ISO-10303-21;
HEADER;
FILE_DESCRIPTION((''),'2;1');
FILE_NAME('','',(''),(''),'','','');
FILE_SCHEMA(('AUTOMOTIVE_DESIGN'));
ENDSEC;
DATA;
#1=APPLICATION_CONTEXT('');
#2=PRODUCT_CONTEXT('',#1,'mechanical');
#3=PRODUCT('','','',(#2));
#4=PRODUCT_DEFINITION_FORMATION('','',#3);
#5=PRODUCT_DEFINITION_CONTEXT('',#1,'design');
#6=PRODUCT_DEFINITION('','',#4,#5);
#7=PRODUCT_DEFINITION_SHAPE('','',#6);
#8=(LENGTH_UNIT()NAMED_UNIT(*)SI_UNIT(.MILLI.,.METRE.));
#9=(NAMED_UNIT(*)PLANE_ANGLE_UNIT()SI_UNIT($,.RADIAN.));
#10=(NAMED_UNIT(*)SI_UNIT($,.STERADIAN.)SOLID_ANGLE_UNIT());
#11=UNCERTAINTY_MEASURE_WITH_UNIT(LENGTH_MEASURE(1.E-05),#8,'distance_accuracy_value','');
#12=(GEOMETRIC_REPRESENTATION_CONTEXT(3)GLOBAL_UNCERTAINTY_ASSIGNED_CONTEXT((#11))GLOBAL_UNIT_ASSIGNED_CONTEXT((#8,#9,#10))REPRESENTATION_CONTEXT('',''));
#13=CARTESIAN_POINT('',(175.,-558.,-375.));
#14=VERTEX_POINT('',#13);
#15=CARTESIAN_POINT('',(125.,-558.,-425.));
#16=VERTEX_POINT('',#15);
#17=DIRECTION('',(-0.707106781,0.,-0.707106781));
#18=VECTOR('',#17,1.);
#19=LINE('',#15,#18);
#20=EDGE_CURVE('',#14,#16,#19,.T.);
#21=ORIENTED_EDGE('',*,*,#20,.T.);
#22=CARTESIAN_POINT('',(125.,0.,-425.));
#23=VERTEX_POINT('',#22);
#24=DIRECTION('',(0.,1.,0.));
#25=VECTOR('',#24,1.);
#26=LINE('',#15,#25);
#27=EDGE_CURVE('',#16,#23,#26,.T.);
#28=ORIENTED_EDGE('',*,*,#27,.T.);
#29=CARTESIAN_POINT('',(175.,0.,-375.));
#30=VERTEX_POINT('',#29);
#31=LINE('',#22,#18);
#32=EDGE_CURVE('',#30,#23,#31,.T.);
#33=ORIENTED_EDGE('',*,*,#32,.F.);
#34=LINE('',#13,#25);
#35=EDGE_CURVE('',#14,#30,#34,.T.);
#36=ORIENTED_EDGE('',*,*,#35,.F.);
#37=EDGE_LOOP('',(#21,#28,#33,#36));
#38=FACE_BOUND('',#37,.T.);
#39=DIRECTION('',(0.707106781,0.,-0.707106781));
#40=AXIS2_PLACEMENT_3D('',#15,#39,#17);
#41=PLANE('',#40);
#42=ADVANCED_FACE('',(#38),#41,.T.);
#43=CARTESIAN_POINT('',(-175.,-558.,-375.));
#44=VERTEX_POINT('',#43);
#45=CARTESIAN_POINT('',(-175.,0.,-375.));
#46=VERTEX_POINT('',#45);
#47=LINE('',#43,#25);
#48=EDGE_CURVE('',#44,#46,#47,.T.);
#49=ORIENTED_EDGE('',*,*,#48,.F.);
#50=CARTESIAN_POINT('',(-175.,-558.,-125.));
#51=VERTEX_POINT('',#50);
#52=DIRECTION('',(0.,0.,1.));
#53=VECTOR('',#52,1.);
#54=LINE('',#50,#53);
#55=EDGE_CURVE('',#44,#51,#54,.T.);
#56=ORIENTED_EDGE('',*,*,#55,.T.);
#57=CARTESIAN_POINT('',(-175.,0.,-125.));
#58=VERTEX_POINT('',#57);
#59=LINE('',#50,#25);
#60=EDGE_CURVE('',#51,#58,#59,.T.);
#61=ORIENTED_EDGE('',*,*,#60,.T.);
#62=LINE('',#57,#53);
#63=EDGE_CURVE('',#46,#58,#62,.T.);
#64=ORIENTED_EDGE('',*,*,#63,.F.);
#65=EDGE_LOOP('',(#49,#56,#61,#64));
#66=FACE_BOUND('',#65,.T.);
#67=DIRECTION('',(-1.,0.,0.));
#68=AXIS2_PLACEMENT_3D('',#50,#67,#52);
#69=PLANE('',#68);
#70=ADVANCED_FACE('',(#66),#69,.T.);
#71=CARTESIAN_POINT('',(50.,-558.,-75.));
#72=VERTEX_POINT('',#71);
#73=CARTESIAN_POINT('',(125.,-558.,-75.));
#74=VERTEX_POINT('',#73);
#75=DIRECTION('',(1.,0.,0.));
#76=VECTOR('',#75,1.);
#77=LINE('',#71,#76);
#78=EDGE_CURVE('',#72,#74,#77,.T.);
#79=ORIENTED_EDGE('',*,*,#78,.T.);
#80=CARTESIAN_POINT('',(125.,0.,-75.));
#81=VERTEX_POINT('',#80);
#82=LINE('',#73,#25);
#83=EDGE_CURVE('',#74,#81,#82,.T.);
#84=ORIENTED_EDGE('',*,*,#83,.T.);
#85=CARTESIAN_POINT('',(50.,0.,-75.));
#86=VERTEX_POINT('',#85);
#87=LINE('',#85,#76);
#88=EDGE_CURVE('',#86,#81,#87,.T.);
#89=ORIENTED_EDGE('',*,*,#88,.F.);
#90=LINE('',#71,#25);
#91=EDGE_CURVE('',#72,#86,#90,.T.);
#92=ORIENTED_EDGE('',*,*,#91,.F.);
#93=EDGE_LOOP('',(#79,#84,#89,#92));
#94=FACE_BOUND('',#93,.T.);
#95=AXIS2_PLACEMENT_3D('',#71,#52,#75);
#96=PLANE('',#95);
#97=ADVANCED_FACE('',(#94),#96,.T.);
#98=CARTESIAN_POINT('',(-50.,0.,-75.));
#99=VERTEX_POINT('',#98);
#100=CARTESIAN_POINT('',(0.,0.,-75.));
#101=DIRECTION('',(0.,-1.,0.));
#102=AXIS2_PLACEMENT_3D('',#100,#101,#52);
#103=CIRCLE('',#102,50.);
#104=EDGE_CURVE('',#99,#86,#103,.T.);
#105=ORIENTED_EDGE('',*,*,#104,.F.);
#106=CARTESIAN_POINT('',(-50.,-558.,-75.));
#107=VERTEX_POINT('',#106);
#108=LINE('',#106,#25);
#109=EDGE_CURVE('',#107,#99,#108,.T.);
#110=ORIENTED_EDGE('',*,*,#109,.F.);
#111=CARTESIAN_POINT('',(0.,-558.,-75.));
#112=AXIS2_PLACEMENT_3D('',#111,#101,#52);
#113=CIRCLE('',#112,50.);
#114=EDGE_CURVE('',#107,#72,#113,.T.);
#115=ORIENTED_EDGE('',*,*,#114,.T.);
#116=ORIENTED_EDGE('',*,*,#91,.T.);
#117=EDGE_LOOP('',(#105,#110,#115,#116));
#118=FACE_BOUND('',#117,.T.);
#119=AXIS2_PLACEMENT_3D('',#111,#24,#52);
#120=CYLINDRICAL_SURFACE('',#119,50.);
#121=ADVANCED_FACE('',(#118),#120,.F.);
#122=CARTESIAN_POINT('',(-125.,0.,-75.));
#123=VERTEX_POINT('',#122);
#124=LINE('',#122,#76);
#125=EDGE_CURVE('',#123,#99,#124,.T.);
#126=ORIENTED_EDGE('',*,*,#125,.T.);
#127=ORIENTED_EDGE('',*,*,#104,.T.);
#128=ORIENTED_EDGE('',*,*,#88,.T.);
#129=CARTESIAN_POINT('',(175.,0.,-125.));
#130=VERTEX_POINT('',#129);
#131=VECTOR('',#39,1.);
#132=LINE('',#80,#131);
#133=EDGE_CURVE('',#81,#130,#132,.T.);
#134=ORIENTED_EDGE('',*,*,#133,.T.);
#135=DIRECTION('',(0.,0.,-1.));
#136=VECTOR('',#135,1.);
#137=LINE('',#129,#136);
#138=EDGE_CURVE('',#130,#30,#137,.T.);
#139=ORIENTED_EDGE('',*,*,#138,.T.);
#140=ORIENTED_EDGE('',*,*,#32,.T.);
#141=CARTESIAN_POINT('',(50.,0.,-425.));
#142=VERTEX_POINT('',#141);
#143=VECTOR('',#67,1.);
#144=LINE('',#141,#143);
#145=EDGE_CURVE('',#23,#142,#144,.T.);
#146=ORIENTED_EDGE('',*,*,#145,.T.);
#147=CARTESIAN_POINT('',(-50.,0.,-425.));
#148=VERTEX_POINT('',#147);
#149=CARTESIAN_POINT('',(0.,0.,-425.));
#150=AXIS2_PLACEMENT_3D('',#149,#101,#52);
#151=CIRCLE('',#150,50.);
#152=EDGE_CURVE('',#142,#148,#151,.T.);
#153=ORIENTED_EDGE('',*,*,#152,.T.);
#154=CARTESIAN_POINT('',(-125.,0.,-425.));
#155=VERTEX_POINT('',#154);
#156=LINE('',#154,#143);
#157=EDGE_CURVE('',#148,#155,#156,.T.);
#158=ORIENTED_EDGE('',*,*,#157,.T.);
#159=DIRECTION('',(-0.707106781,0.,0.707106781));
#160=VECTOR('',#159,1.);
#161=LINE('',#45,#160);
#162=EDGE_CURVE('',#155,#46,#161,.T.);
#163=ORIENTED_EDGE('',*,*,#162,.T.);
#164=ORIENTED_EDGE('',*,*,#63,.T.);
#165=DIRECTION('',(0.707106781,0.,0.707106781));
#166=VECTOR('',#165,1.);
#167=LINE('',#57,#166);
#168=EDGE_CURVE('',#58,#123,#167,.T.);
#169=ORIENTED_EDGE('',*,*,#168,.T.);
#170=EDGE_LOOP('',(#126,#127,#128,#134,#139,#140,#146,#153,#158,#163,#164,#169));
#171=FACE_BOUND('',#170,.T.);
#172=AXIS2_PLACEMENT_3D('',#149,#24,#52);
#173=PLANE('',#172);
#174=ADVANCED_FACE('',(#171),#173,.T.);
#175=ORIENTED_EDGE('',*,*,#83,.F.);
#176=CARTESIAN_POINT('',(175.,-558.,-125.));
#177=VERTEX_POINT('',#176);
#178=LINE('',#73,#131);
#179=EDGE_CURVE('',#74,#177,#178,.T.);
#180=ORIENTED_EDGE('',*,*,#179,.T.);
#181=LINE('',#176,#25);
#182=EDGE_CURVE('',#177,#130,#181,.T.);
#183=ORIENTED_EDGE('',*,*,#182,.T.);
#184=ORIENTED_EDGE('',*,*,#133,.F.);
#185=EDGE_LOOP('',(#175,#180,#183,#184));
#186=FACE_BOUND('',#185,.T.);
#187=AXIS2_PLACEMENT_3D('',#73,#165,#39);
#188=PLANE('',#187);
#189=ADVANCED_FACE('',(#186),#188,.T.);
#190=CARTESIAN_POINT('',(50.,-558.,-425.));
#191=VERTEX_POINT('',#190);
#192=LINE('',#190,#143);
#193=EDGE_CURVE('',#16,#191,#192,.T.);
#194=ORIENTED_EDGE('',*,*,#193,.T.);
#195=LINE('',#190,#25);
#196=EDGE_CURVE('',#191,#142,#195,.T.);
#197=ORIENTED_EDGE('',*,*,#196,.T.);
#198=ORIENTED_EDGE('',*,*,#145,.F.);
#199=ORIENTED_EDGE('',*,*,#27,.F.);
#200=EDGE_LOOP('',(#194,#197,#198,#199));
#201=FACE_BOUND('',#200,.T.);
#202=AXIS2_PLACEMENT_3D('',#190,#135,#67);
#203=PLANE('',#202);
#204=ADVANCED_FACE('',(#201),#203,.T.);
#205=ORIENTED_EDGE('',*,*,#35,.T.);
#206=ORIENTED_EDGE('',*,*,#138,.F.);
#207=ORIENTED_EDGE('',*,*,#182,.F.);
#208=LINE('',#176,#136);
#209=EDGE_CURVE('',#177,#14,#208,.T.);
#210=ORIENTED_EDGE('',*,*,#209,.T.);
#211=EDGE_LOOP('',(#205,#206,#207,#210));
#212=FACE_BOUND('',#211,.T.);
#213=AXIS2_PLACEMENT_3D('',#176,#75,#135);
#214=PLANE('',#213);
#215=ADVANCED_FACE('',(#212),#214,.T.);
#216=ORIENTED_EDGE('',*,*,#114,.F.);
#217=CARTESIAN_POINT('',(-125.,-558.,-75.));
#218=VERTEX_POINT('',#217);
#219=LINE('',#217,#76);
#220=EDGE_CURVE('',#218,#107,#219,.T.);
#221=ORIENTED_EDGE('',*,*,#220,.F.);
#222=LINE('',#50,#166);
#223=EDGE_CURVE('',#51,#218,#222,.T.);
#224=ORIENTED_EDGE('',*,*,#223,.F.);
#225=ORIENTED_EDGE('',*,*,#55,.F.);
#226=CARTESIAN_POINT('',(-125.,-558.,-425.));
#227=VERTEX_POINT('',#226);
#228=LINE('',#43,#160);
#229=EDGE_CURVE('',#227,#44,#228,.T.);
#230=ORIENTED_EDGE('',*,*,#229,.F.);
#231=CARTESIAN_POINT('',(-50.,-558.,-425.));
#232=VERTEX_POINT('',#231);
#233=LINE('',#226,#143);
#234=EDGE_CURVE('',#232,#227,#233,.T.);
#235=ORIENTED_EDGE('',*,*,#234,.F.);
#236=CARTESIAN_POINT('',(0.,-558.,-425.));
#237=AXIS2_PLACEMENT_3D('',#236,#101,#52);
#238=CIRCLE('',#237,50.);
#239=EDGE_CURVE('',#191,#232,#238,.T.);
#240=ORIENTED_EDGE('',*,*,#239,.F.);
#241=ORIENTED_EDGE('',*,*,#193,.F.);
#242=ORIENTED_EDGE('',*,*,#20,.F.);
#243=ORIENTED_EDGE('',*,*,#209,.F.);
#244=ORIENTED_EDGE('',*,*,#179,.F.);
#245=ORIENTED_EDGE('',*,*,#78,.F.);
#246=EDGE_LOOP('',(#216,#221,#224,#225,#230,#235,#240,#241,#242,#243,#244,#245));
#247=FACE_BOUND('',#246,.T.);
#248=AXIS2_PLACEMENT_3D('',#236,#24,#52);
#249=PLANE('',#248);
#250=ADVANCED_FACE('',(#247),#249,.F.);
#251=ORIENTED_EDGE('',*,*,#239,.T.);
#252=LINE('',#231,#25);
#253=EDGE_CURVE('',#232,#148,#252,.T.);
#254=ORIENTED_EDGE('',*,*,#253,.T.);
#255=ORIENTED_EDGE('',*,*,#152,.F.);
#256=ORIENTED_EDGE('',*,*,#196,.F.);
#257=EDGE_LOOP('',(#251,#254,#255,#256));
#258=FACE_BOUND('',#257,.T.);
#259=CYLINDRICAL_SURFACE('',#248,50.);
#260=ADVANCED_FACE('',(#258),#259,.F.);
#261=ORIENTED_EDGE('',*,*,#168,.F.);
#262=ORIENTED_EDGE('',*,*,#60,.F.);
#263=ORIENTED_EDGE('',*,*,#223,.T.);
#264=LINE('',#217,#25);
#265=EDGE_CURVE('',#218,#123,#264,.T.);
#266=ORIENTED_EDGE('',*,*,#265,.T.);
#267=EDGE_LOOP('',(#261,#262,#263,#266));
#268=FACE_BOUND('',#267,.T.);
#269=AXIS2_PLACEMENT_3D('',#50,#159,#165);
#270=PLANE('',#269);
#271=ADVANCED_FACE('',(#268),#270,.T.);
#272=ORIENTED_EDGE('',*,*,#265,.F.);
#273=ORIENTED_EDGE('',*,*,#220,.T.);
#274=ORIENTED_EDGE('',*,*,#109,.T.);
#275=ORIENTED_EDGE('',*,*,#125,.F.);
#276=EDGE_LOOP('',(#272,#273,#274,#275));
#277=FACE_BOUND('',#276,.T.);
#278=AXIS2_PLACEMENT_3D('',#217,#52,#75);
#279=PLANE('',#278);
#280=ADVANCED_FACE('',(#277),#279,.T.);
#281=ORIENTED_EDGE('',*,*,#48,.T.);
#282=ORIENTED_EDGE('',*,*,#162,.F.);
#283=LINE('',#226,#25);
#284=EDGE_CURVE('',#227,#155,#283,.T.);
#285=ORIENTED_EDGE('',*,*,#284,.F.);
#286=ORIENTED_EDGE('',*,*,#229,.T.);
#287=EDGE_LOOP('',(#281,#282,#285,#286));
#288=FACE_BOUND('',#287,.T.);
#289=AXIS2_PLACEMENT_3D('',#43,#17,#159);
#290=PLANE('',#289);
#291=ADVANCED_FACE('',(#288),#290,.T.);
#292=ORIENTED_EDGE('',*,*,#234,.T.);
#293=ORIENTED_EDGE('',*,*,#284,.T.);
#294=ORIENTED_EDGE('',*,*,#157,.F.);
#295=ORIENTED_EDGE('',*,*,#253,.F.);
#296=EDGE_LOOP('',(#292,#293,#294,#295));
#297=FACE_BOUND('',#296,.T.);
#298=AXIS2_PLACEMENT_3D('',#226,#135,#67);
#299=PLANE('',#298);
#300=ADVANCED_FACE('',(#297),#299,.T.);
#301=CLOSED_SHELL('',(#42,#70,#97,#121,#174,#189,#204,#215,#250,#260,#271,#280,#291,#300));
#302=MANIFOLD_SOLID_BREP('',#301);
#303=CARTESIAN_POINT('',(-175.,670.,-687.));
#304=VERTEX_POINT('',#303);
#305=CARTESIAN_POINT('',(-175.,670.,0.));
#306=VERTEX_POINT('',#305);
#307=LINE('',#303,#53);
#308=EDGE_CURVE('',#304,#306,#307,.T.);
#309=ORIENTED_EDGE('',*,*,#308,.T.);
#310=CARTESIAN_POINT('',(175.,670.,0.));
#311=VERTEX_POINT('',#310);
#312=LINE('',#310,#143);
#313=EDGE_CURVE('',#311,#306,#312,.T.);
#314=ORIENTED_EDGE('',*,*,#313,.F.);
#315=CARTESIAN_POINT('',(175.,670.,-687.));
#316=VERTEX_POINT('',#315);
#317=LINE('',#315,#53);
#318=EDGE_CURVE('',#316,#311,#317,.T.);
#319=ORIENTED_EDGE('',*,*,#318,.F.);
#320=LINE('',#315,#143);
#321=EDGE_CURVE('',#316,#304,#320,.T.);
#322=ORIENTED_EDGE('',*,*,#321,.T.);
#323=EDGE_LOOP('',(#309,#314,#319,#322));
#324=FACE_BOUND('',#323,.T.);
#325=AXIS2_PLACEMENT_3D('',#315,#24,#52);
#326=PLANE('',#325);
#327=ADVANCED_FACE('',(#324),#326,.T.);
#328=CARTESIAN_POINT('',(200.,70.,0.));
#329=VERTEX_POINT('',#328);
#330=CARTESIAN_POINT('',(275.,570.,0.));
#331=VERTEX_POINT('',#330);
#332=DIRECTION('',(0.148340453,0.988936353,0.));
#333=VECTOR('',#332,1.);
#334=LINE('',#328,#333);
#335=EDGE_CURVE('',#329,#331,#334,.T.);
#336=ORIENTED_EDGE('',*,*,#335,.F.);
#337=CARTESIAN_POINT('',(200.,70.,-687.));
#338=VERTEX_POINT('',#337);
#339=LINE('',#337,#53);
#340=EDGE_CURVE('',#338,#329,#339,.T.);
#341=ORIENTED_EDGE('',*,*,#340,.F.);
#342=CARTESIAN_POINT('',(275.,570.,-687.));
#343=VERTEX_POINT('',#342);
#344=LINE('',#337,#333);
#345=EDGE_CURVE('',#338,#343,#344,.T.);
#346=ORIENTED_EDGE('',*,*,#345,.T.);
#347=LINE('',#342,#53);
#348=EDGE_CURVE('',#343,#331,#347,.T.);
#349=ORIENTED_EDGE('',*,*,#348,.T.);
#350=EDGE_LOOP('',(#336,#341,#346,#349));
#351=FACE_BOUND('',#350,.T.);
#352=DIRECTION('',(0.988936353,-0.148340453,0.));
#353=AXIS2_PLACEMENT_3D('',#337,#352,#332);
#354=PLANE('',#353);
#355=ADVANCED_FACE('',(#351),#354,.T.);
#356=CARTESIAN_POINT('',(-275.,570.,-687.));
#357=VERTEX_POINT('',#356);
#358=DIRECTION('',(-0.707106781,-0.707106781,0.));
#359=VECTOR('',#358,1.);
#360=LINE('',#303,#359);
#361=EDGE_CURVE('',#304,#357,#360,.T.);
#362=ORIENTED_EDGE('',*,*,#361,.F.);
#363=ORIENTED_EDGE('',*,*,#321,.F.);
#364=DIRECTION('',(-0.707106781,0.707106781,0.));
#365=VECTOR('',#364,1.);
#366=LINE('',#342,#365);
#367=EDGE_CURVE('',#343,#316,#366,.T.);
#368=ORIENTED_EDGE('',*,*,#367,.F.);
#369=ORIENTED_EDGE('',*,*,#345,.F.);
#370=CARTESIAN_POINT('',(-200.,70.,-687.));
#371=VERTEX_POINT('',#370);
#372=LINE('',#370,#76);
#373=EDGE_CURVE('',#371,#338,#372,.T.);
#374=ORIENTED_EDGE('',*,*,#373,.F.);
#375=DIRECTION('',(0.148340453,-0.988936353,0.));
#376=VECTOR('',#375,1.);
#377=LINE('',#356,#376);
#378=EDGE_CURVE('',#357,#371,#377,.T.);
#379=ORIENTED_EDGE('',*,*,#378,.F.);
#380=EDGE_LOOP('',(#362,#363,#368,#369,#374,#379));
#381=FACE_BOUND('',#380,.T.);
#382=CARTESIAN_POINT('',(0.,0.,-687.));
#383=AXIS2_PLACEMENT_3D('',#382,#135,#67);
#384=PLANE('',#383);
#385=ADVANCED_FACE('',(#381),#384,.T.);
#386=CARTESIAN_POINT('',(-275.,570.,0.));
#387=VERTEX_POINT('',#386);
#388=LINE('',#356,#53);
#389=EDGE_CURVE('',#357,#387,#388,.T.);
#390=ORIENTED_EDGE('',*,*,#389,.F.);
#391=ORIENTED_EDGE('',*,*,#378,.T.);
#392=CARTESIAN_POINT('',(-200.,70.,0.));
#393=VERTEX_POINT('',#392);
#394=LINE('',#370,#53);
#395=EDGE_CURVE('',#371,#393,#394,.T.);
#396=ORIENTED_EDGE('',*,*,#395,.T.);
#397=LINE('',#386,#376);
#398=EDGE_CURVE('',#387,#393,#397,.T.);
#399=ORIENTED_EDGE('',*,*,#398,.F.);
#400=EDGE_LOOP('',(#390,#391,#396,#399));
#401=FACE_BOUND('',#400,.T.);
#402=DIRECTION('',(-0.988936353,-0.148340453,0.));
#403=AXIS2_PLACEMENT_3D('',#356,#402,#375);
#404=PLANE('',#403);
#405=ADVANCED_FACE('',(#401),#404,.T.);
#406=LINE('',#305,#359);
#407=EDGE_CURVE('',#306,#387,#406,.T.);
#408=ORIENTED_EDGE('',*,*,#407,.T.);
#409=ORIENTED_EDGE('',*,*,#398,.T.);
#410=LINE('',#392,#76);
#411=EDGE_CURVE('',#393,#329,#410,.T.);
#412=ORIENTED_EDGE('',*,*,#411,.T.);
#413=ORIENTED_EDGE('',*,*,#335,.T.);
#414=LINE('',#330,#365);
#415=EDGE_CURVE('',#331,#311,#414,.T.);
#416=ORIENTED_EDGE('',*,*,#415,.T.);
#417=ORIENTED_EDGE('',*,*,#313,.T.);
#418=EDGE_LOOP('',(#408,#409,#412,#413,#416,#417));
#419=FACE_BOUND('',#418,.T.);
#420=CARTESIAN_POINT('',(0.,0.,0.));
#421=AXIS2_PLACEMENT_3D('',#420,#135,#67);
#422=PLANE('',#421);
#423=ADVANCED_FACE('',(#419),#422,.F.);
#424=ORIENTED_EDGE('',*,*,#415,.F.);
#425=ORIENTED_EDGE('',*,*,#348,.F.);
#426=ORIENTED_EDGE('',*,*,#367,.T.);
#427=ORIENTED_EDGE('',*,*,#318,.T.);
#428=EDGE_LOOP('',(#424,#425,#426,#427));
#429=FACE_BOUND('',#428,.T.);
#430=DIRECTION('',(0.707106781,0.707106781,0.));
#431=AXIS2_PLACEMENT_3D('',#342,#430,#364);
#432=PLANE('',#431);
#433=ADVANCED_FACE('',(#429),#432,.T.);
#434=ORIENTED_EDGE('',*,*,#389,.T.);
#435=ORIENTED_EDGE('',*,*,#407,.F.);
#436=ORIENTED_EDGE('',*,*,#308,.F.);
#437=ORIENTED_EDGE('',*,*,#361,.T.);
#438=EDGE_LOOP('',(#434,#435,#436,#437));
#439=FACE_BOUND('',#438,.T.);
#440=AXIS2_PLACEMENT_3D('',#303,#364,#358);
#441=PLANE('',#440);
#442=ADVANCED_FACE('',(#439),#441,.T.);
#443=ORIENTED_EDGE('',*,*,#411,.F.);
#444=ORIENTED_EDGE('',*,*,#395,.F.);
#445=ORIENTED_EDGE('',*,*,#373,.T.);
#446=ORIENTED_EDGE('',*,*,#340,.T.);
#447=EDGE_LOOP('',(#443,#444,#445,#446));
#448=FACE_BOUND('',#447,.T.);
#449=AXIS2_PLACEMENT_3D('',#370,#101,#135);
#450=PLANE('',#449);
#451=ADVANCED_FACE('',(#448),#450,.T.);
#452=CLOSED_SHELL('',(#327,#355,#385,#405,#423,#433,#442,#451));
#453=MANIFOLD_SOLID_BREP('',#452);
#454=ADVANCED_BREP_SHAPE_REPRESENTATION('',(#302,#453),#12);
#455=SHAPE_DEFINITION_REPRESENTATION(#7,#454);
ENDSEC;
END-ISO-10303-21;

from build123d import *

# Parameters (mm, degrees)
RESSALTO_EXTRUS_O1_DEPTH = 687
RESSALTO_EXTRUS_O2_DEPTH = 558


with BuildPart() as part:
    # Esboço6 → Ressalto-extrusão1 (new body)
    with BuildSketch(Plane.XY):
        Polygon((-200, 70), (200, 70), (275, 570), (175, 670), (-175, 670), (-275, 570), align=None)
    extrude(amount=-RESSALTO_EXTRUS_O1_DEPTH)


with BuildPart() as body_2:
    # Esboço10 → Ressalto-extrusão2 (new body)
    with BuildSketch(Plane(origin=(0, 0, 0), x_dir=(1, 0, 0), z_dir=(0, 1, 0))):
        with BuildLine():
            Line((-175, 375), (-125, 425))
            Line((-125, 425), (-50, 425))
            ThreePointArc((-50, 425), (0, 375), (50, 425))
            Line((50, 425), (125, 425))
            Line((125, 425), (175, 375))
            Line((175, 375), (175, 125))
            Line((175, 125), (125, 75))
            Line((125, 75), (50, 75))
            ThreePointArc((50, 75), (0, 125), (-50, 75))
            Line((-50, 75), (-125, 75))
            Line((-125, 75), (-175, 125))
            Line((-175, 125), (-175, 375))
        make_face()
    extrude(amount=-RESSALTO_EXTRUS_O2_DEPTH)


solid = Compound([part.part, body_2.part])
